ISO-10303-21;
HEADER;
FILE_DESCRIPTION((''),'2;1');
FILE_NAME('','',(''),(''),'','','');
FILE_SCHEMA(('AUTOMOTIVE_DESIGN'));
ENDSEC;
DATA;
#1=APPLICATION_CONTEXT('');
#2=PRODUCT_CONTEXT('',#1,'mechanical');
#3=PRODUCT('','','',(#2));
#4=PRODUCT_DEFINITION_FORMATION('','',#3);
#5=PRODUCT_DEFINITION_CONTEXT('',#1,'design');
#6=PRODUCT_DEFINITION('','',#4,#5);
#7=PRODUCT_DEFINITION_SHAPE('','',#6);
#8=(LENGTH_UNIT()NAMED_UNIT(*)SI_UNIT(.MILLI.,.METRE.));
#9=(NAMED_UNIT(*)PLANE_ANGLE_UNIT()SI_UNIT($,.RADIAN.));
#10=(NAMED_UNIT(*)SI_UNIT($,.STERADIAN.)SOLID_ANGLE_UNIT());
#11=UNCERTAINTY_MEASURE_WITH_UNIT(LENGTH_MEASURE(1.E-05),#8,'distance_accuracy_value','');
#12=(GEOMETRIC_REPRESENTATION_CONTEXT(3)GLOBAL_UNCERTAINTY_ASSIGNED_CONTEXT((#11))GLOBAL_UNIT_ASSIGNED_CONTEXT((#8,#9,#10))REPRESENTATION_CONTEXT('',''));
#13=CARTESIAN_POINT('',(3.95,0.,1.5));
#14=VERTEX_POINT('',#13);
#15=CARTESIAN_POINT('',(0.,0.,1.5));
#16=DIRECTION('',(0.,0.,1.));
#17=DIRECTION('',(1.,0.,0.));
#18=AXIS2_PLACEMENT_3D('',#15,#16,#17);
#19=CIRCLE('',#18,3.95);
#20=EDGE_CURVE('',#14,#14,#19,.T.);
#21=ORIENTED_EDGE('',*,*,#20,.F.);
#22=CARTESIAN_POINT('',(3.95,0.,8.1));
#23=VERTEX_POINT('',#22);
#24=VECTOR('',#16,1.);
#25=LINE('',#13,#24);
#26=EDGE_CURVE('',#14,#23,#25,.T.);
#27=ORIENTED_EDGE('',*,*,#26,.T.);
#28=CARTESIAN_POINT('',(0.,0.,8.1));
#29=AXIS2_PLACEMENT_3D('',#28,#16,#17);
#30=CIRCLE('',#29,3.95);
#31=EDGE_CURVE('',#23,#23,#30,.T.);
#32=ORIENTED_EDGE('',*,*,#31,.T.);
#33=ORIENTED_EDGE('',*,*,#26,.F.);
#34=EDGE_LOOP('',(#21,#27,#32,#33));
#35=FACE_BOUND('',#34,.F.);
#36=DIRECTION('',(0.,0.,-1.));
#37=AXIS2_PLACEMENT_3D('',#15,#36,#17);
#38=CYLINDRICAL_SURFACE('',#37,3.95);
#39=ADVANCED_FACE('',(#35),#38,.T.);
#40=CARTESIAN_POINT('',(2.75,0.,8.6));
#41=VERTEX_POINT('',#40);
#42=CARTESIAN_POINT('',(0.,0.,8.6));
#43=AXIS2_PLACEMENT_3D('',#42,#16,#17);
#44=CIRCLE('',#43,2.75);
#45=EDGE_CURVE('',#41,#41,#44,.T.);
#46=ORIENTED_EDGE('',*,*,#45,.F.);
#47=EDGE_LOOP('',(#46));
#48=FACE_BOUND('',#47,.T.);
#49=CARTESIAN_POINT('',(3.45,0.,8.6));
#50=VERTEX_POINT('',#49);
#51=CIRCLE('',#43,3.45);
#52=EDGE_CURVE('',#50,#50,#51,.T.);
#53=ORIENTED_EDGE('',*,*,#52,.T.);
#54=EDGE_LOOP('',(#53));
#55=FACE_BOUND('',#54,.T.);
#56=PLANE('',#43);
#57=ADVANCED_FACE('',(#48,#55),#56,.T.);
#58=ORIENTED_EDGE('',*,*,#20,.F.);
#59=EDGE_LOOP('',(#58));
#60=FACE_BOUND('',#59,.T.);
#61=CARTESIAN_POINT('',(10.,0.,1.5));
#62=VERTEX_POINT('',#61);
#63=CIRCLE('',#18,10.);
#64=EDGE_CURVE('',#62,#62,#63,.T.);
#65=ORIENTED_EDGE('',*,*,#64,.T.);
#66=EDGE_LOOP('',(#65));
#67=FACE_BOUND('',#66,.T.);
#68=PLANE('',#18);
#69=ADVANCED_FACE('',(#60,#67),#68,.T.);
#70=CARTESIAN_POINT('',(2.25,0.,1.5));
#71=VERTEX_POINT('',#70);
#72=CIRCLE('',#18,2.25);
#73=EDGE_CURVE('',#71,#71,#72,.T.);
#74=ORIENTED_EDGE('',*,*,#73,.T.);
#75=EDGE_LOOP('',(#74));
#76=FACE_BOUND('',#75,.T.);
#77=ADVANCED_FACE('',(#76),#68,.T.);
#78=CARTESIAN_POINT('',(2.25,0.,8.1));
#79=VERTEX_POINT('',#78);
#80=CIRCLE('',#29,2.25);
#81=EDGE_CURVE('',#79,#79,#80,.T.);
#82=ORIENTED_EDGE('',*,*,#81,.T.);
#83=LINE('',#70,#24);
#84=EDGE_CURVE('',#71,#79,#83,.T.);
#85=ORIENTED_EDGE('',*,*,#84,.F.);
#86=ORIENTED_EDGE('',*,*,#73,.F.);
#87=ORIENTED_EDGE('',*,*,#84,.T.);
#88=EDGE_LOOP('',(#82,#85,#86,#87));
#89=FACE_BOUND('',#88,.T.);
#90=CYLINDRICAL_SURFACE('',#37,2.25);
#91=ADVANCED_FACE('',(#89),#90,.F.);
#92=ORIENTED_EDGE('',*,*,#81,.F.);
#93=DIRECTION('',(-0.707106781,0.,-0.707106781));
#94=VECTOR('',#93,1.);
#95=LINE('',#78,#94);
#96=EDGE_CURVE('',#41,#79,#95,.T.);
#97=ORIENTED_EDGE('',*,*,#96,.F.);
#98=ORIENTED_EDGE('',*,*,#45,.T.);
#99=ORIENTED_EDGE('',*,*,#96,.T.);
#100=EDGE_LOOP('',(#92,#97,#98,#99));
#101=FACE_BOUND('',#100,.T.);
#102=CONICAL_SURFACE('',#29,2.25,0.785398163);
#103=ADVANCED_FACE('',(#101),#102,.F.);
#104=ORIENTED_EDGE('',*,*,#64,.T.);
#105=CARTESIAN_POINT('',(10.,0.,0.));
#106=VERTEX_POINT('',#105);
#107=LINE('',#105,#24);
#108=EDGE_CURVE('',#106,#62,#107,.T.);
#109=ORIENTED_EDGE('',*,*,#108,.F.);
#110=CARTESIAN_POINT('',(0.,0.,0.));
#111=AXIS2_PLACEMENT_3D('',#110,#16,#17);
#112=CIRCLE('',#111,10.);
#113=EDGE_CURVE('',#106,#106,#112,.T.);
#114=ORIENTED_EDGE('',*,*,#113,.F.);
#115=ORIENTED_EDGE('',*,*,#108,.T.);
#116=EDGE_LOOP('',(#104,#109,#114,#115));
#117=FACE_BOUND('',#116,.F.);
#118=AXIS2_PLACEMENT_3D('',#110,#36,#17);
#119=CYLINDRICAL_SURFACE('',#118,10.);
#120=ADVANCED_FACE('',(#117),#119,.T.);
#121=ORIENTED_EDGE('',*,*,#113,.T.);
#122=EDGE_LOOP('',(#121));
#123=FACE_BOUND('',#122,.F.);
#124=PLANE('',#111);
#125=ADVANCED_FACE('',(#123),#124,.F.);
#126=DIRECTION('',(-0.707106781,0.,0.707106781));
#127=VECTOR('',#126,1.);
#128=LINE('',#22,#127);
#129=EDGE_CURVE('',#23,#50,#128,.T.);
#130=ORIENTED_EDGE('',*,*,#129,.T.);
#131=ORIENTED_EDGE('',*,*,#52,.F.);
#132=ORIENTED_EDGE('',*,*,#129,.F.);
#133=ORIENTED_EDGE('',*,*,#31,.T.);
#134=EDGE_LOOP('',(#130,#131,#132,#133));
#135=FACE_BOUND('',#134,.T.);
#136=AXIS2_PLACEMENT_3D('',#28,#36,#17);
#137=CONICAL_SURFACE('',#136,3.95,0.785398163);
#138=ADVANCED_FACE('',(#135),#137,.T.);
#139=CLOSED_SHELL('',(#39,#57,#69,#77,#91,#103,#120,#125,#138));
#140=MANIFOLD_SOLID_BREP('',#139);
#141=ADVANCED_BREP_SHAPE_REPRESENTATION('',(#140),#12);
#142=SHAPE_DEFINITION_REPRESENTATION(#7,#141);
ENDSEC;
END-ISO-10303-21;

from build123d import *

# Parameters (mm, degrees)
F0_R     = 10
F1_DEPTH = 1.5
F2_R     = 3.95
F2_R_2   = 2.25
F3_DEPTH = 7.1
F4_SIZE  = 0.5


with BuildPart() as f1:
    # F0 (on Top) → F1 (new body)
    with BuildSketch(Plane.XY):
        Circle(F0_R)
    extrude(amount=F1_DEPTH)

    # F2 (on face) → F3 (join)
    with BuildSketch(Plane.XY.offset(1.5)):
        Circle(F2_R)
        Circle(F2_R_2, mode=Mode.SUBTRACT)
    extrude(amount=F3_DEPTH)

    # F4
    f4_edges = [f1.edges().sort_by_distance(p)[0] for p in [
        (-3.95, 0, 8.6),
        (-2.25, 0, 8.6),
    ]]
    chamfer(f4_edges, length=F4_SIZE)


solid = f1.part
